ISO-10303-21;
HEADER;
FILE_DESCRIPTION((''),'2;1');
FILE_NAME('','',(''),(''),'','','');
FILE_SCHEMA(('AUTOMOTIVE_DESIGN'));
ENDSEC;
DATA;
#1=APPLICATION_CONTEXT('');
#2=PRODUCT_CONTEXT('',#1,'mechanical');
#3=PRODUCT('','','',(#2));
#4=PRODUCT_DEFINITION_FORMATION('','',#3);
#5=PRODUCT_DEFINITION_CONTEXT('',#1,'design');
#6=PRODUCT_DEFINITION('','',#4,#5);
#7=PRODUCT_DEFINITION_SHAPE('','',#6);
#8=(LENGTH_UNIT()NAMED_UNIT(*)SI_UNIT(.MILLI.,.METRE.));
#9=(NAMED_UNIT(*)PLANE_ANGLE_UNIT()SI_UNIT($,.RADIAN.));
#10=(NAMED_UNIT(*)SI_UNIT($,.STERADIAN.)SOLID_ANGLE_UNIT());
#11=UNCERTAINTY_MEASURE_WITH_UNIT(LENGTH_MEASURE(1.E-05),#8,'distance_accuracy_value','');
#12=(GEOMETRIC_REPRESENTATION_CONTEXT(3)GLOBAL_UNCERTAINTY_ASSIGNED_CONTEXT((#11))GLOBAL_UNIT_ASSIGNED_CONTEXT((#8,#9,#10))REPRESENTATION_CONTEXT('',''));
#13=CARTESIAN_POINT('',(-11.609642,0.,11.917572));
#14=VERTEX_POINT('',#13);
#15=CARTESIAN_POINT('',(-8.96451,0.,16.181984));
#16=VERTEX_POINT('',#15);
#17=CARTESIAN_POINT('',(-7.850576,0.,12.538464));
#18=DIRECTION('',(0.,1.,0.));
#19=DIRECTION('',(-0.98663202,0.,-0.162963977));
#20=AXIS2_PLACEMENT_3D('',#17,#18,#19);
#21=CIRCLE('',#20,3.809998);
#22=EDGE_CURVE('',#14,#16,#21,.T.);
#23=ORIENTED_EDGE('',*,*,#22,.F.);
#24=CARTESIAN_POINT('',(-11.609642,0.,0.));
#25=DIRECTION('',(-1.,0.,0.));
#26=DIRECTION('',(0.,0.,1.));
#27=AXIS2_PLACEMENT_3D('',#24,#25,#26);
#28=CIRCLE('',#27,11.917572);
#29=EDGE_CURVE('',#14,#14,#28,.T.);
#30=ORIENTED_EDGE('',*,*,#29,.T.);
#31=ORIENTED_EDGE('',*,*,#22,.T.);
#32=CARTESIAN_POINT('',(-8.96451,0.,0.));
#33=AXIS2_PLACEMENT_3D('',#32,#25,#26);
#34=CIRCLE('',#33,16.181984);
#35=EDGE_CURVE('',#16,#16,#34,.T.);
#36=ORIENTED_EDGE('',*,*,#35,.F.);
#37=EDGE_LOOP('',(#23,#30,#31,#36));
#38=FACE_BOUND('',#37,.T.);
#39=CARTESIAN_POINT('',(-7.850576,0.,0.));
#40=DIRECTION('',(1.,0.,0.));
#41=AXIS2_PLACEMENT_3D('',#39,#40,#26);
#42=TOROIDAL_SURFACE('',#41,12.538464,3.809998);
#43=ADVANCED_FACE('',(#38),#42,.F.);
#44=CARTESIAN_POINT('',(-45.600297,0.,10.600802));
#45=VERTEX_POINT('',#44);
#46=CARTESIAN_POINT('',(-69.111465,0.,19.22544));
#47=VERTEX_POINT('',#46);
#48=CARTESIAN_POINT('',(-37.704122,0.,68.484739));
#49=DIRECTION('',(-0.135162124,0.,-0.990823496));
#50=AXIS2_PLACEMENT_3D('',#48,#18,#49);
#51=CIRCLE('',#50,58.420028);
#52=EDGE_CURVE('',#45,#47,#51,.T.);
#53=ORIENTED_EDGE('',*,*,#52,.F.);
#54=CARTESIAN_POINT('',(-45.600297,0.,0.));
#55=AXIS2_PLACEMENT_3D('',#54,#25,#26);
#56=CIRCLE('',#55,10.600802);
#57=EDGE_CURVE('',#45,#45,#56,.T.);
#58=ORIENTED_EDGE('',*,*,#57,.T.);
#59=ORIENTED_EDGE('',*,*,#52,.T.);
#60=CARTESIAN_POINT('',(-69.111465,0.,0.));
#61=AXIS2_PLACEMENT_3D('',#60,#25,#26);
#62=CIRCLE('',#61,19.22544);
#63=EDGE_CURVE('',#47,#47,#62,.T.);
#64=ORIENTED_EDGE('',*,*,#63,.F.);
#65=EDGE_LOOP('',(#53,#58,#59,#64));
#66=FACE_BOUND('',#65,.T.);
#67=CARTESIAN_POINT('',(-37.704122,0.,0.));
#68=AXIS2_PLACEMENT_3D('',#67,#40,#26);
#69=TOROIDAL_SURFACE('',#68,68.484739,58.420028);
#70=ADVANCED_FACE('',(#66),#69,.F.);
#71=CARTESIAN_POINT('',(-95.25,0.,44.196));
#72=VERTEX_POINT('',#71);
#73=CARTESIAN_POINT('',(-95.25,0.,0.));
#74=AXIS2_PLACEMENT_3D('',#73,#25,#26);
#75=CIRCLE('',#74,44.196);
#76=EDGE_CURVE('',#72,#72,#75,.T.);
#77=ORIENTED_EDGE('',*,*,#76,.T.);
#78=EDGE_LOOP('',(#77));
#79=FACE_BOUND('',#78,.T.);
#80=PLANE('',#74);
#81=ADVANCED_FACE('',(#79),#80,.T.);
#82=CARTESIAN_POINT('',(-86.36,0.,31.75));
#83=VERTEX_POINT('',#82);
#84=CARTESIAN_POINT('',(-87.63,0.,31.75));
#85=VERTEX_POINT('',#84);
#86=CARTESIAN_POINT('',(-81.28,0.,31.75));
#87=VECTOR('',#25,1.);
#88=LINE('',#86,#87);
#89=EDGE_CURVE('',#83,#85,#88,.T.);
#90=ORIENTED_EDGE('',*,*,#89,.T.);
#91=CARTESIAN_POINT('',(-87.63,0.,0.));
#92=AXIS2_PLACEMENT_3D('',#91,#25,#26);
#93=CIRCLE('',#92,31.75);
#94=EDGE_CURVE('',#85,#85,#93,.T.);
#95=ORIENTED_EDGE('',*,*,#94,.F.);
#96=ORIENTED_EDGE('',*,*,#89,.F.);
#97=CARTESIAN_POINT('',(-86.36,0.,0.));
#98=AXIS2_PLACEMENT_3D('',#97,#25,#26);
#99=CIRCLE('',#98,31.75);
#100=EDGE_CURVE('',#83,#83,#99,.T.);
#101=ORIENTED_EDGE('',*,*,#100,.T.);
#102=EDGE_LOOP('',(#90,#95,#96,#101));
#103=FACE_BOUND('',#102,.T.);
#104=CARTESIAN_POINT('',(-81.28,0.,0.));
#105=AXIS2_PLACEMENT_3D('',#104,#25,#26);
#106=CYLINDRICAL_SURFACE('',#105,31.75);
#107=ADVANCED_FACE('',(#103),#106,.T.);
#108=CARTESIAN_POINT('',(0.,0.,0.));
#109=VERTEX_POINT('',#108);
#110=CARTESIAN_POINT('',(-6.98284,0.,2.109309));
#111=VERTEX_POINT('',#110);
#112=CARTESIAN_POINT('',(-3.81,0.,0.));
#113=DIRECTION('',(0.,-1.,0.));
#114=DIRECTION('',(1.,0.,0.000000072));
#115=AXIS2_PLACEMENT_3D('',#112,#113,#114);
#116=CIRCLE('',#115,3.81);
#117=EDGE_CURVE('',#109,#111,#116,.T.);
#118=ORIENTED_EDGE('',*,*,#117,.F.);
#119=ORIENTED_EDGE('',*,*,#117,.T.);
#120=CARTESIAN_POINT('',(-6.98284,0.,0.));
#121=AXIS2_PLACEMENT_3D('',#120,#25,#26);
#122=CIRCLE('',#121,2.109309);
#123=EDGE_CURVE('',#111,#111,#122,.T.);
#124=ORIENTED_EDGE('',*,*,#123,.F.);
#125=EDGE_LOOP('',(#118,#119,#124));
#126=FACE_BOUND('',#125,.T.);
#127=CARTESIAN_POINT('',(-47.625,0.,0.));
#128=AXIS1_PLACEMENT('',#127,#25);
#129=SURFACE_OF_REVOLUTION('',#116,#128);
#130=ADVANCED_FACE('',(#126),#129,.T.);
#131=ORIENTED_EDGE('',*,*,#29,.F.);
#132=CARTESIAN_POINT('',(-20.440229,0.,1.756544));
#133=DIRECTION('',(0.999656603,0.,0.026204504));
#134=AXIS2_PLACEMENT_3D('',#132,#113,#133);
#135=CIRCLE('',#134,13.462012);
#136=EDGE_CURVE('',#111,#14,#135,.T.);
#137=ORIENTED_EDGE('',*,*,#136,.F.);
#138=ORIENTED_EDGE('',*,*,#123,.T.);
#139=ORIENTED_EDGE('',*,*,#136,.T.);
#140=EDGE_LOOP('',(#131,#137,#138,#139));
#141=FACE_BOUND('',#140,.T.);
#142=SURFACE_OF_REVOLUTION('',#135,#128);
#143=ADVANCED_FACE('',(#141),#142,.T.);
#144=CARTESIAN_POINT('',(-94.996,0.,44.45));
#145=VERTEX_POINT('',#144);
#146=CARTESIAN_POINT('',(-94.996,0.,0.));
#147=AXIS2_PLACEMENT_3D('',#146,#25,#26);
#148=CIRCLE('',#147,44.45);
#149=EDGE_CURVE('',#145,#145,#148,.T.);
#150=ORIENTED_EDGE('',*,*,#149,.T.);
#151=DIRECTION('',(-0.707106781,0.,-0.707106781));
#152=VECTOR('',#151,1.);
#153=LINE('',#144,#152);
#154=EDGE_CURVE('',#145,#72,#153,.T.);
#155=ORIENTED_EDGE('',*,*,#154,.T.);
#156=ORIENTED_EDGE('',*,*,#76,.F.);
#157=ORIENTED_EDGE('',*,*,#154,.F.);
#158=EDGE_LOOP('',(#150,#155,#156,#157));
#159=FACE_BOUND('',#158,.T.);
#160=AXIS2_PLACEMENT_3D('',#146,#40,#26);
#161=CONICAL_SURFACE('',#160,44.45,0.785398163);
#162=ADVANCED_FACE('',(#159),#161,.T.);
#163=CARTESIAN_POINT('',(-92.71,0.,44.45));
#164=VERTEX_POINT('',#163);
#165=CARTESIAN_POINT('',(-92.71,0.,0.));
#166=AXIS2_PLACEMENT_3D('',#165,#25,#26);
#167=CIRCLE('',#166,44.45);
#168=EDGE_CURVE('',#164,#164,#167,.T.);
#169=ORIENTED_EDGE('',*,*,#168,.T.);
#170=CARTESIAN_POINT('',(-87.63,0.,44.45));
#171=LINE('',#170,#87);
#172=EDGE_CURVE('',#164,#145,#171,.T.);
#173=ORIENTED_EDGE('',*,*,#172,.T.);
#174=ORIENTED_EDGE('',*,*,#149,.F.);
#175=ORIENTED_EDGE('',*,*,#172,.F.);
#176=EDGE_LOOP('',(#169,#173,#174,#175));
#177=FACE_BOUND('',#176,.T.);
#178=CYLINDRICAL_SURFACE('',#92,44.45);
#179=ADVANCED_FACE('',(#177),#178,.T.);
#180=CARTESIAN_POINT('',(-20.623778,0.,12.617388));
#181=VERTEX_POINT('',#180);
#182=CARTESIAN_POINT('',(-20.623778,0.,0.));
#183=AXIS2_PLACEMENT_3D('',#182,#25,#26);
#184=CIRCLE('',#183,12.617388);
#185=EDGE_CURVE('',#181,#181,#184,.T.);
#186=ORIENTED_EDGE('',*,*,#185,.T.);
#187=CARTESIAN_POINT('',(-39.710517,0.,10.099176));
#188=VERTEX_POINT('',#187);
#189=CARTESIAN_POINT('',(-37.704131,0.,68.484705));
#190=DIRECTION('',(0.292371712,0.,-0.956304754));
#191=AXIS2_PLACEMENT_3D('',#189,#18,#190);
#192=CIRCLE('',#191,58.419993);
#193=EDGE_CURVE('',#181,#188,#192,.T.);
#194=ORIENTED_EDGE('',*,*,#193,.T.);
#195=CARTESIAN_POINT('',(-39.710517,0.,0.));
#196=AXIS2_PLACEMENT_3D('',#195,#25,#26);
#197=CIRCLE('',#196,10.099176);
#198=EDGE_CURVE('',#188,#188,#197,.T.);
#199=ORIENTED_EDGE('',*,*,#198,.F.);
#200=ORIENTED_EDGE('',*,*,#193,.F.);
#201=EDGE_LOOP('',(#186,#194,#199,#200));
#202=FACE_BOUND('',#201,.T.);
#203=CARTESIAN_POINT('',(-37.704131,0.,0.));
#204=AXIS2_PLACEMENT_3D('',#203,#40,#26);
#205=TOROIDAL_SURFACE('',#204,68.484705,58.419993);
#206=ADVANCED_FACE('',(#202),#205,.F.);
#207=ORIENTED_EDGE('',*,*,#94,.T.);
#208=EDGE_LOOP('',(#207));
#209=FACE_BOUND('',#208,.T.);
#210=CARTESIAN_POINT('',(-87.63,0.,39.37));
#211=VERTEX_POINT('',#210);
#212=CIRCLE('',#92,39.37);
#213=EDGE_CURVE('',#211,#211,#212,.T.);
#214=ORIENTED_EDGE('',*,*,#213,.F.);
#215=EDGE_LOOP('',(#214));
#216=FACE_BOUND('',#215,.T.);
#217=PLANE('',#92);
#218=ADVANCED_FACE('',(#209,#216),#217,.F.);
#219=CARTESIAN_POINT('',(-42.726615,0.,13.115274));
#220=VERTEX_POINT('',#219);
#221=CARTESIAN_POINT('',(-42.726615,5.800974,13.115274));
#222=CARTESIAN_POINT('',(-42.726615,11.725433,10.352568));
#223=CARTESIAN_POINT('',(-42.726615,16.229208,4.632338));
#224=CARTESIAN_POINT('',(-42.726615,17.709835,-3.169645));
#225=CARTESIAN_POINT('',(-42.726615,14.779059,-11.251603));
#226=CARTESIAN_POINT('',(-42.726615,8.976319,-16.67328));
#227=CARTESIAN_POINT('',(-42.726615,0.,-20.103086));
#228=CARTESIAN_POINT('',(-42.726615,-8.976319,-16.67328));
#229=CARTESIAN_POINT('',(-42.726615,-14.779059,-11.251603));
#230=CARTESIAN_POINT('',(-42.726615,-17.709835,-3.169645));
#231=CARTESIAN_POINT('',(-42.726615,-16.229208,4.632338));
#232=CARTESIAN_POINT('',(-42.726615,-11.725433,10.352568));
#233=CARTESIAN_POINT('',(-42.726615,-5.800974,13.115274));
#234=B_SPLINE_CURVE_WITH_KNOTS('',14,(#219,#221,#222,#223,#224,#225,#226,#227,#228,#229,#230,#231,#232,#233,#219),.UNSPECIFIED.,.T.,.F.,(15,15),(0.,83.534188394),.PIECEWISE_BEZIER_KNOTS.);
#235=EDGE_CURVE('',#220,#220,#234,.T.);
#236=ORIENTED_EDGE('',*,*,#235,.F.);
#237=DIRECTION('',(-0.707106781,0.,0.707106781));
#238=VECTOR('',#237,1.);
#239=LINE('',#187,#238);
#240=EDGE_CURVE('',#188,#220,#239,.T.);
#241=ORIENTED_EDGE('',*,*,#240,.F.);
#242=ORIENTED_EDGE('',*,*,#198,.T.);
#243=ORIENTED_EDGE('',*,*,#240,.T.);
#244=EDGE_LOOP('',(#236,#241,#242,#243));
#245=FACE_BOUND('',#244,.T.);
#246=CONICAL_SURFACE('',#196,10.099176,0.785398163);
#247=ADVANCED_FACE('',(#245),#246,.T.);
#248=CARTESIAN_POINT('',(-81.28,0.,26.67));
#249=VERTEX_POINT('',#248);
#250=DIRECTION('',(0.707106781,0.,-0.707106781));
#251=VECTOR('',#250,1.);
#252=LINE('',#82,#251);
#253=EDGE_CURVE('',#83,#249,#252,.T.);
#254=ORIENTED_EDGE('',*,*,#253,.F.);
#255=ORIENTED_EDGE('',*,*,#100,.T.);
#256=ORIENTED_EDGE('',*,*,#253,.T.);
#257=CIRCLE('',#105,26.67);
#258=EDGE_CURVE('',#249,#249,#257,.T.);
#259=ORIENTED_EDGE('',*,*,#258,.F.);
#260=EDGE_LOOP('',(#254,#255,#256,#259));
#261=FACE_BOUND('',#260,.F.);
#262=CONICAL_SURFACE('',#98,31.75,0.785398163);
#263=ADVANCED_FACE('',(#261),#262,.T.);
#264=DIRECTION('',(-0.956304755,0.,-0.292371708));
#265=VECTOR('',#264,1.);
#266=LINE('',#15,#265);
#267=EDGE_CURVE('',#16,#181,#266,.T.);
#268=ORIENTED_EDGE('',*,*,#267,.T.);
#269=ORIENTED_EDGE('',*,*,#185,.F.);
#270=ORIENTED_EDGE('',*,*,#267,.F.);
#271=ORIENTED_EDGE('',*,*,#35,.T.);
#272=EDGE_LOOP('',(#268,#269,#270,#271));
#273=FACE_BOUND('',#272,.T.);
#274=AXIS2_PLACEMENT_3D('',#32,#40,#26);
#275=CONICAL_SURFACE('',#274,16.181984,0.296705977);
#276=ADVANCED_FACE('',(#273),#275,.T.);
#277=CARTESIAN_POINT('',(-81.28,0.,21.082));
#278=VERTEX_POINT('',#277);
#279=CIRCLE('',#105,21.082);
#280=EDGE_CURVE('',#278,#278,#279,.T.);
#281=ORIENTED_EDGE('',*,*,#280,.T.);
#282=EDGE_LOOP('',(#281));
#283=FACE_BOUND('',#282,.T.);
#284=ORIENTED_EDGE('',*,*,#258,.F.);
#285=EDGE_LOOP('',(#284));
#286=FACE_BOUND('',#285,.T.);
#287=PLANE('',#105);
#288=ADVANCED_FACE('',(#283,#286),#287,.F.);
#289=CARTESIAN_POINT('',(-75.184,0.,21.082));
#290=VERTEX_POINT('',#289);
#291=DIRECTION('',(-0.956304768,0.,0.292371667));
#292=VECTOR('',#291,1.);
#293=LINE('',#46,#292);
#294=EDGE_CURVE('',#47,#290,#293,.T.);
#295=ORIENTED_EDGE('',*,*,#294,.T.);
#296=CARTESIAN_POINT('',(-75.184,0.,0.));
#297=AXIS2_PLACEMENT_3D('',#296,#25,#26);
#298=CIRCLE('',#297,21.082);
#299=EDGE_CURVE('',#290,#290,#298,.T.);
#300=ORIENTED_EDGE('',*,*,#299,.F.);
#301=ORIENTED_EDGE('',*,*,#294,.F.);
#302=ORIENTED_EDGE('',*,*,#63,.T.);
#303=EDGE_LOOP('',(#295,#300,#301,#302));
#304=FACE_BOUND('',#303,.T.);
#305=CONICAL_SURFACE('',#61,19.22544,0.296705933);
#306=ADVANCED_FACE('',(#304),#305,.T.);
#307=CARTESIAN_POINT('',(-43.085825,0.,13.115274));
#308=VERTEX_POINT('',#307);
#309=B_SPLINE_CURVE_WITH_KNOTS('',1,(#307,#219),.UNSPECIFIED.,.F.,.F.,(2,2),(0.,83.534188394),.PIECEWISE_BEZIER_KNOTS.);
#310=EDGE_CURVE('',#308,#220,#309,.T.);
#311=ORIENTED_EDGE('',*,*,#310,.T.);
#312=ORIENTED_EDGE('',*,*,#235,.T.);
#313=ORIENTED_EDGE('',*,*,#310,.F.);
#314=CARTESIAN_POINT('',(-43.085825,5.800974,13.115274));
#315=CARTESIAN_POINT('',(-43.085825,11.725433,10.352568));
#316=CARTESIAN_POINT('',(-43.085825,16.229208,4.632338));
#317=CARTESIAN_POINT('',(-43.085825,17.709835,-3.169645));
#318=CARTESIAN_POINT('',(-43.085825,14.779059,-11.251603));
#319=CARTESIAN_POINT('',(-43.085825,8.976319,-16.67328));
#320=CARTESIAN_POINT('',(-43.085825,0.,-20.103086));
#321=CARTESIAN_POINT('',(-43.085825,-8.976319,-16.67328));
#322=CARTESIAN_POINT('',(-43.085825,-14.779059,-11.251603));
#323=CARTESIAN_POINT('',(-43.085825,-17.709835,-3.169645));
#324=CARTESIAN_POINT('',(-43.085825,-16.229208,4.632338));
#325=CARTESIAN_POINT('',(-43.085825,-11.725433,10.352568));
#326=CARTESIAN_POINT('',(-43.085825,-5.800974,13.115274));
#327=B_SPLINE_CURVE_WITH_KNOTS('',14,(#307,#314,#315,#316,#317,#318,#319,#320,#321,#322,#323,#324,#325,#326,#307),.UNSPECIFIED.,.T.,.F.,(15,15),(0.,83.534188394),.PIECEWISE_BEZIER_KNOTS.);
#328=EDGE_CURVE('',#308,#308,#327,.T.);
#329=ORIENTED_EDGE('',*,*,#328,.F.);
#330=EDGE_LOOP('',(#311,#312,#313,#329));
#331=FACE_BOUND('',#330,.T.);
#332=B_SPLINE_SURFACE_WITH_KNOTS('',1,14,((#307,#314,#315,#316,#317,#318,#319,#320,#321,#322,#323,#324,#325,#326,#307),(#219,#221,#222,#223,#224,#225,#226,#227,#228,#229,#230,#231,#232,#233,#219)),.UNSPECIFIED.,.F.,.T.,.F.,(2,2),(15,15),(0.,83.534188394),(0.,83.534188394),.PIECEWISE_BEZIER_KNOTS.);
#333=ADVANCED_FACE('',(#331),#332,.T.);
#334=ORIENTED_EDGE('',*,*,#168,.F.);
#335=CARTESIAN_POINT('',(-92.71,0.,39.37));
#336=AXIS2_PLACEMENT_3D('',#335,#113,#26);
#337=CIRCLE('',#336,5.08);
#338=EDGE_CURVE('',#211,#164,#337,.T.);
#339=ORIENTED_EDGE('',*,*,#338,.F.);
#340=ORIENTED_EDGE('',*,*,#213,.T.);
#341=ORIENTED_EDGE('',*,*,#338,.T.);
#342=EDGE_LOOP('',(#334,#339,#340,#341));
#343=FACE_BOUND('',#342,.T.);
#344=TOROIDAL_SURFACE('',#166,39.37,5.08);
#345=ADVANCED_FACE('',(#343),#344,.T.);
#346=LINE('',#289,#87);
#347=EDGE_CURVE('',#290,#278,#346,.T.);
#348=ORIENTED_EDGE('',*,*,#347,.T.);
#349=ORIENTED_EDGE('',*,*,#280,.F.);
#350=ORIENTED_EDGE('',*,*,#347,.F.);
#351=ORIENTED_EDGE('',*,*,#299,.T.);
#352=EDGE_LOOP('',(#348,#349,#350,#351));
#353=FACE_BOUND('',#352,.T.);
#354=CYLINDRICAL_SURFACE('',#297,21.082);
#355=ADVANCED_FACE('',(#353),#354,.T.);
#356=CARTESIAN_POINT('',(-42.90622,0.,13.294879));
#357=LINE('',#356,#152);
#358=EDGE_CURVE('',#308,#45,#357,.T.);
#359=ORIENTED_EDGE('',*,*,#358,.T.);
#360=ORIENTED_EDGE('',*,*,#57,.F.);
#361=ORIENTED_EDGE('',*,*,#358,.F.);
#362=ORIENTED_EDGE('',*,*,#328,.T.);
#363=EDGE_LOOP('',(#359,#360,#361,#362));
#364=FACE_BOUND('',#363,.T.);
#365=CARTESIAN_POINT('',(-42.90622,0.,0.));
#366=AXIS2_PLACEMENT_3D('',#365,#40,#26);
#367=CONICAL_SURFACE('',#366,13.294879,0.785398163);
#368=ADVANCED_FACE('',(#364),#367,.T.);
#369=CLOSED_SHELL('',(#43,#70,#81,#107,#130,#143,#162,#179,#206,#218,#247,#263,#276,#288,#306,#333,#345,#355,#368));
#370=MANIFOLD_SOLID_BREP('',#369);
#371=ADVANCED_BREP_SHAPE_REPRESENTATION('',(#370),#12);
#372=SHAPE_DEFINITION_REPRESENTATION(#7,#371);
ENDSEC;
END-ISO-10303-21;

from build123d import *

# Parameters (mm, degrees)
F2_R    = 5.08
F3_SIZE = 5.08
F4_SIZE = 0.254


with BuildPart() as f1:
    # F0 (on Front) → F1 (revolve)
    with BuildSketch(Plane.XZ):
        with BuildLine():
            Line((-95.25, 0), (0, 0))
            ThreePointArc((0, 0), (-2.708279, 3.647233), (-6.98284, 2.109309))
            ThreePointArc((-6.98284, 2.109309), (-8.264886, 7.499956), (-11.609642, 11.917572))
            ThreePointArc((-11.609642, 11.917572), (-11.088297, 14.546759), (-8.96451, 16.181984))
            Line((-8.96451, 16.181984), (-20.623778, 12.617388))
            ThreePointArc((-20.623778, 12.617388), (-30.0627, 10.566624), (-39.710517, 10.099176))
            Line((-39.710517, 10.099176), (-42.90622, 13.294879))
            Line((-42.90622, 13.294879), (-45.600297, 10.600802))
            ThreePointArc((-45.600297, 10.600802), (-57.823459, 13.638481), (-69.111465, 19.22544))
            Line((-69.111465, 19.22544), (-75.184, 21.082))
            Line((-75.184, 21.082), (-81.28, 21.082))
            Line((-81.28, 21.082), (-81.28, 31.75))
            Line((-81.28, 31.75), (-87.63, 31.75))
            Line((-87.63, 31.75), (-87.63, 44.45))
            Line((-87.63, 44.45), (-95.25, 44.45))
            Line((-95.25, 44.45), (-95.25, 0))
        make_face()
    revolve(axis=Axis((-47.625, 0, 0), (-1, 0, 0)))

    # F2
    f2_edges = [f1.edges().sort_by_distance(p)[0] for p in [
        (-87.63, 0, -44.45),
    ]]
    fillet(f2_edges, radius=F2_R)

    # F3
    f3_edges = [f1.edges().sort_by_distance(p)[0] for p in [
        (-81.28, 0, -31.75),
    ]]
    chamfer(f3_edges, length=F3_SIZE)

    # F4
    f4_edges = [f1.edges().sort_by_distance(p)[0] for p in [
        (-95.25, 0, -44.45),
        (-42.90622, 0, -13.294879),
    ]]
    chamfer(f4_edges, length=F4_SIZE)


solid = f1.part
